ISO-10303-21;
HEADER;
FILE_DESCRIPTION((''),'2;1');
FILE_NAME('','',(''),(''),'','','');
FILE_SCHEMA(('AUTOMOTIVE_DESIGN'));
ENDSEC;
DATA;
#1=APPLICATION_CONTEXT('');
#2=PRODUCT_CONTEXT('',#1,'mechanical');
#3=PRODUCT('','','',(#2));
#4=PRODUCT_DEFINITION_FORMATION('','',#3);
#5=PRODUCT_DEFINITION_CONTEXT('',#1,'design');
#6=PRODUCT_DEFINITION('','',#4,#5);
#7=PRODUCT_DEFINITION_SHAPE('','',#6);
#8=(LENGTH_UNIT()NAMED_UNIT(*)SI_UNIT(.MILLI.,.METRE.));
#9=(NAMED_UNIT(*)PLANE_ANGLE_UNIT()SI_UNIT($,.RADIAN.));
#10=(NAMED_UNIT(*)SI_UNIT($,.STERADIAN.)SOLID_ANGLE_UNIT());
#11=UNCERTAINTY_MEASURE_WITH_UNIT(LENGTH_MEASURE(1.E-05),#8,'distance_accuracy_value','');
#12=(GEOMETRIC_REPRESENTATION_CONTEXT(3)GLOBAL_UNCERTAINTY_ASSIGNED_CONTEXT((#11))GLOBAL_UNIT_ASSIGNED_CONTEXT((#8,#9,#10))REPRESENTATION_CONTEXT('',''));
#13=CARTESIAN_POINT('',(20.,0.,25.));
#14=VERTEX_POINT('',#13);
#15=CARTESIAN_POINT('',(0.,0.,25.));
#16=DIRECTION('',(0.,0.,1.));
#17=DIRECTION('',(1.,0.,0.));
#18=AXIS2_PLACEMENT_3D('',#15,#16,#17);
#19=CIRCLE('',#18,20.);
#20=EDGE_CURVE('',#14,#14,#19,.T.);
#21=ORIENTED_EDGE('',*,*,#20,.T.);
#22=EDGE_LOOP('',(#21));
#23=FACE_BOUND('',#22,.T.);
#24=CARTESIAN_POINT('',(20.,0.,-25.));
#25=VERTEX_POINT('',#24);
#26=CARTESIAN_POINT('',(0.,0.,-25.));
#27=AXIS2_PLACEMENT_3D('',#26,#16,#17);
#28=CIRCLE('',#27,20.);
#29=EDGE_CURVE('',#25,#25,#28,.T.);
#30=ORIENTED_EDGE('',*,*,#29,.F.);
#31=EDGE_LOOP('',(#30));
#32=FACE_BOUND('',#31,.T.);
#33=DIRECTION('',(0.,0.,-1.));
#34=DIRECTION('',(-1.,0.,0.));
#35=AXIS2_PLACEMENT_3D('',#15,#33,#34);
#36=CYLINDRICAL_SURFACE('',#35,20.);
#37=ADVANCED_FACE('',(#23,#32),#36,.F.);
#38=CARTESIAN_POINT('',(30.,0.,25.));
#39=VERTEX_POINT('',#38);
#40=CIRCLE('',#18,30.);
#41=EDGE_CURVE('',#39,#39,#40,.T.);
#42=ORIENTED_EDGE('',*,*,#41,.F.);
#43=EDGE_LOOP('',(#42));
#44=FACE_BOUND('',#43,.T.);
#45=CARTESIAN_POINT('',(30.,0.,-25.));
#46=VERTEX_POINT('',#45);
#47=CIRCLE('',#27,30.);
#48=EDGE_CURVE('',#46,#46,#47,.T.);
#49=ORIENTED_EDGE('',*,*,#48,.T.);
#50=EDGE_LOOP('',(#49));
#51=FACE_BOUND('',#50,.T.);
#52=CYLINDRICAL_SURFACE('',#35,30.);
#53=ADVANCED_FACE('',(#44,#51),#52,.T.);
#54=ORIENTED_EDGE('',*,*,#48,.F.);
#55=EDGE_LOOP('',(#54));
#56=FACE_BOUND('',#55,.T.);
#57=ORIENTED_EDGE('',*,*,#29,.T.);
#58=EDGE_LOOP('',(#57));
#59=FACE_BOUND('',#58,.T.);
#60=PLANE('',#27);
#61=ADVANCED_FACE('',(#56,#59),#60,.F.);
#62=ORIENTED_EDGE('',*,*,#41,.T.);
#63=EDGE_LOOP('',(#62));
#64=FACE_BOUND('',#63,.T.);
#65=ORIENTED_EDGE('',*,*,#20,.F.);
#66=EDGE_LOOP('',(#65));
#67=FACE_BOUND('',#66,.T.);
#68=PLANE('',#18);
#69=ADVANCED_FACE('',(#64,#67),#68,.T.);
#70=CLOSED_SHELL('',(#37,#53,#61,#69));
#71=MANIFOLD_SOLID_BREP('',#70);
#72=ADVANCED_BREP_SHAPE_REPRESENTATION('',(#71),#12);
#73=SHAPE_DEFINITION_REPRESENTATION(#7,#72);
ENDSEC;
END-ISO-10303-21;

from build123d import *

# Parameters (mm, degrees)
SKETCH1_R           = 30
SKETCH1_R_2         = 20
BOSS_EXTRUDE2_DEPTH = 25


with BuildPart() as part:
    # Sketch1 → Boss-Extrude2 (new body, symmetric)
    with BuildSketch(Plane.XY):
        Circle(SKETCH1_R)
        Circle(SKETCH1_R_2, mode=Mode.SUBTRACT)
    extrude(amount=BOSS_EXTRUDE2_DEPTH, both=True)


solid = part.part
